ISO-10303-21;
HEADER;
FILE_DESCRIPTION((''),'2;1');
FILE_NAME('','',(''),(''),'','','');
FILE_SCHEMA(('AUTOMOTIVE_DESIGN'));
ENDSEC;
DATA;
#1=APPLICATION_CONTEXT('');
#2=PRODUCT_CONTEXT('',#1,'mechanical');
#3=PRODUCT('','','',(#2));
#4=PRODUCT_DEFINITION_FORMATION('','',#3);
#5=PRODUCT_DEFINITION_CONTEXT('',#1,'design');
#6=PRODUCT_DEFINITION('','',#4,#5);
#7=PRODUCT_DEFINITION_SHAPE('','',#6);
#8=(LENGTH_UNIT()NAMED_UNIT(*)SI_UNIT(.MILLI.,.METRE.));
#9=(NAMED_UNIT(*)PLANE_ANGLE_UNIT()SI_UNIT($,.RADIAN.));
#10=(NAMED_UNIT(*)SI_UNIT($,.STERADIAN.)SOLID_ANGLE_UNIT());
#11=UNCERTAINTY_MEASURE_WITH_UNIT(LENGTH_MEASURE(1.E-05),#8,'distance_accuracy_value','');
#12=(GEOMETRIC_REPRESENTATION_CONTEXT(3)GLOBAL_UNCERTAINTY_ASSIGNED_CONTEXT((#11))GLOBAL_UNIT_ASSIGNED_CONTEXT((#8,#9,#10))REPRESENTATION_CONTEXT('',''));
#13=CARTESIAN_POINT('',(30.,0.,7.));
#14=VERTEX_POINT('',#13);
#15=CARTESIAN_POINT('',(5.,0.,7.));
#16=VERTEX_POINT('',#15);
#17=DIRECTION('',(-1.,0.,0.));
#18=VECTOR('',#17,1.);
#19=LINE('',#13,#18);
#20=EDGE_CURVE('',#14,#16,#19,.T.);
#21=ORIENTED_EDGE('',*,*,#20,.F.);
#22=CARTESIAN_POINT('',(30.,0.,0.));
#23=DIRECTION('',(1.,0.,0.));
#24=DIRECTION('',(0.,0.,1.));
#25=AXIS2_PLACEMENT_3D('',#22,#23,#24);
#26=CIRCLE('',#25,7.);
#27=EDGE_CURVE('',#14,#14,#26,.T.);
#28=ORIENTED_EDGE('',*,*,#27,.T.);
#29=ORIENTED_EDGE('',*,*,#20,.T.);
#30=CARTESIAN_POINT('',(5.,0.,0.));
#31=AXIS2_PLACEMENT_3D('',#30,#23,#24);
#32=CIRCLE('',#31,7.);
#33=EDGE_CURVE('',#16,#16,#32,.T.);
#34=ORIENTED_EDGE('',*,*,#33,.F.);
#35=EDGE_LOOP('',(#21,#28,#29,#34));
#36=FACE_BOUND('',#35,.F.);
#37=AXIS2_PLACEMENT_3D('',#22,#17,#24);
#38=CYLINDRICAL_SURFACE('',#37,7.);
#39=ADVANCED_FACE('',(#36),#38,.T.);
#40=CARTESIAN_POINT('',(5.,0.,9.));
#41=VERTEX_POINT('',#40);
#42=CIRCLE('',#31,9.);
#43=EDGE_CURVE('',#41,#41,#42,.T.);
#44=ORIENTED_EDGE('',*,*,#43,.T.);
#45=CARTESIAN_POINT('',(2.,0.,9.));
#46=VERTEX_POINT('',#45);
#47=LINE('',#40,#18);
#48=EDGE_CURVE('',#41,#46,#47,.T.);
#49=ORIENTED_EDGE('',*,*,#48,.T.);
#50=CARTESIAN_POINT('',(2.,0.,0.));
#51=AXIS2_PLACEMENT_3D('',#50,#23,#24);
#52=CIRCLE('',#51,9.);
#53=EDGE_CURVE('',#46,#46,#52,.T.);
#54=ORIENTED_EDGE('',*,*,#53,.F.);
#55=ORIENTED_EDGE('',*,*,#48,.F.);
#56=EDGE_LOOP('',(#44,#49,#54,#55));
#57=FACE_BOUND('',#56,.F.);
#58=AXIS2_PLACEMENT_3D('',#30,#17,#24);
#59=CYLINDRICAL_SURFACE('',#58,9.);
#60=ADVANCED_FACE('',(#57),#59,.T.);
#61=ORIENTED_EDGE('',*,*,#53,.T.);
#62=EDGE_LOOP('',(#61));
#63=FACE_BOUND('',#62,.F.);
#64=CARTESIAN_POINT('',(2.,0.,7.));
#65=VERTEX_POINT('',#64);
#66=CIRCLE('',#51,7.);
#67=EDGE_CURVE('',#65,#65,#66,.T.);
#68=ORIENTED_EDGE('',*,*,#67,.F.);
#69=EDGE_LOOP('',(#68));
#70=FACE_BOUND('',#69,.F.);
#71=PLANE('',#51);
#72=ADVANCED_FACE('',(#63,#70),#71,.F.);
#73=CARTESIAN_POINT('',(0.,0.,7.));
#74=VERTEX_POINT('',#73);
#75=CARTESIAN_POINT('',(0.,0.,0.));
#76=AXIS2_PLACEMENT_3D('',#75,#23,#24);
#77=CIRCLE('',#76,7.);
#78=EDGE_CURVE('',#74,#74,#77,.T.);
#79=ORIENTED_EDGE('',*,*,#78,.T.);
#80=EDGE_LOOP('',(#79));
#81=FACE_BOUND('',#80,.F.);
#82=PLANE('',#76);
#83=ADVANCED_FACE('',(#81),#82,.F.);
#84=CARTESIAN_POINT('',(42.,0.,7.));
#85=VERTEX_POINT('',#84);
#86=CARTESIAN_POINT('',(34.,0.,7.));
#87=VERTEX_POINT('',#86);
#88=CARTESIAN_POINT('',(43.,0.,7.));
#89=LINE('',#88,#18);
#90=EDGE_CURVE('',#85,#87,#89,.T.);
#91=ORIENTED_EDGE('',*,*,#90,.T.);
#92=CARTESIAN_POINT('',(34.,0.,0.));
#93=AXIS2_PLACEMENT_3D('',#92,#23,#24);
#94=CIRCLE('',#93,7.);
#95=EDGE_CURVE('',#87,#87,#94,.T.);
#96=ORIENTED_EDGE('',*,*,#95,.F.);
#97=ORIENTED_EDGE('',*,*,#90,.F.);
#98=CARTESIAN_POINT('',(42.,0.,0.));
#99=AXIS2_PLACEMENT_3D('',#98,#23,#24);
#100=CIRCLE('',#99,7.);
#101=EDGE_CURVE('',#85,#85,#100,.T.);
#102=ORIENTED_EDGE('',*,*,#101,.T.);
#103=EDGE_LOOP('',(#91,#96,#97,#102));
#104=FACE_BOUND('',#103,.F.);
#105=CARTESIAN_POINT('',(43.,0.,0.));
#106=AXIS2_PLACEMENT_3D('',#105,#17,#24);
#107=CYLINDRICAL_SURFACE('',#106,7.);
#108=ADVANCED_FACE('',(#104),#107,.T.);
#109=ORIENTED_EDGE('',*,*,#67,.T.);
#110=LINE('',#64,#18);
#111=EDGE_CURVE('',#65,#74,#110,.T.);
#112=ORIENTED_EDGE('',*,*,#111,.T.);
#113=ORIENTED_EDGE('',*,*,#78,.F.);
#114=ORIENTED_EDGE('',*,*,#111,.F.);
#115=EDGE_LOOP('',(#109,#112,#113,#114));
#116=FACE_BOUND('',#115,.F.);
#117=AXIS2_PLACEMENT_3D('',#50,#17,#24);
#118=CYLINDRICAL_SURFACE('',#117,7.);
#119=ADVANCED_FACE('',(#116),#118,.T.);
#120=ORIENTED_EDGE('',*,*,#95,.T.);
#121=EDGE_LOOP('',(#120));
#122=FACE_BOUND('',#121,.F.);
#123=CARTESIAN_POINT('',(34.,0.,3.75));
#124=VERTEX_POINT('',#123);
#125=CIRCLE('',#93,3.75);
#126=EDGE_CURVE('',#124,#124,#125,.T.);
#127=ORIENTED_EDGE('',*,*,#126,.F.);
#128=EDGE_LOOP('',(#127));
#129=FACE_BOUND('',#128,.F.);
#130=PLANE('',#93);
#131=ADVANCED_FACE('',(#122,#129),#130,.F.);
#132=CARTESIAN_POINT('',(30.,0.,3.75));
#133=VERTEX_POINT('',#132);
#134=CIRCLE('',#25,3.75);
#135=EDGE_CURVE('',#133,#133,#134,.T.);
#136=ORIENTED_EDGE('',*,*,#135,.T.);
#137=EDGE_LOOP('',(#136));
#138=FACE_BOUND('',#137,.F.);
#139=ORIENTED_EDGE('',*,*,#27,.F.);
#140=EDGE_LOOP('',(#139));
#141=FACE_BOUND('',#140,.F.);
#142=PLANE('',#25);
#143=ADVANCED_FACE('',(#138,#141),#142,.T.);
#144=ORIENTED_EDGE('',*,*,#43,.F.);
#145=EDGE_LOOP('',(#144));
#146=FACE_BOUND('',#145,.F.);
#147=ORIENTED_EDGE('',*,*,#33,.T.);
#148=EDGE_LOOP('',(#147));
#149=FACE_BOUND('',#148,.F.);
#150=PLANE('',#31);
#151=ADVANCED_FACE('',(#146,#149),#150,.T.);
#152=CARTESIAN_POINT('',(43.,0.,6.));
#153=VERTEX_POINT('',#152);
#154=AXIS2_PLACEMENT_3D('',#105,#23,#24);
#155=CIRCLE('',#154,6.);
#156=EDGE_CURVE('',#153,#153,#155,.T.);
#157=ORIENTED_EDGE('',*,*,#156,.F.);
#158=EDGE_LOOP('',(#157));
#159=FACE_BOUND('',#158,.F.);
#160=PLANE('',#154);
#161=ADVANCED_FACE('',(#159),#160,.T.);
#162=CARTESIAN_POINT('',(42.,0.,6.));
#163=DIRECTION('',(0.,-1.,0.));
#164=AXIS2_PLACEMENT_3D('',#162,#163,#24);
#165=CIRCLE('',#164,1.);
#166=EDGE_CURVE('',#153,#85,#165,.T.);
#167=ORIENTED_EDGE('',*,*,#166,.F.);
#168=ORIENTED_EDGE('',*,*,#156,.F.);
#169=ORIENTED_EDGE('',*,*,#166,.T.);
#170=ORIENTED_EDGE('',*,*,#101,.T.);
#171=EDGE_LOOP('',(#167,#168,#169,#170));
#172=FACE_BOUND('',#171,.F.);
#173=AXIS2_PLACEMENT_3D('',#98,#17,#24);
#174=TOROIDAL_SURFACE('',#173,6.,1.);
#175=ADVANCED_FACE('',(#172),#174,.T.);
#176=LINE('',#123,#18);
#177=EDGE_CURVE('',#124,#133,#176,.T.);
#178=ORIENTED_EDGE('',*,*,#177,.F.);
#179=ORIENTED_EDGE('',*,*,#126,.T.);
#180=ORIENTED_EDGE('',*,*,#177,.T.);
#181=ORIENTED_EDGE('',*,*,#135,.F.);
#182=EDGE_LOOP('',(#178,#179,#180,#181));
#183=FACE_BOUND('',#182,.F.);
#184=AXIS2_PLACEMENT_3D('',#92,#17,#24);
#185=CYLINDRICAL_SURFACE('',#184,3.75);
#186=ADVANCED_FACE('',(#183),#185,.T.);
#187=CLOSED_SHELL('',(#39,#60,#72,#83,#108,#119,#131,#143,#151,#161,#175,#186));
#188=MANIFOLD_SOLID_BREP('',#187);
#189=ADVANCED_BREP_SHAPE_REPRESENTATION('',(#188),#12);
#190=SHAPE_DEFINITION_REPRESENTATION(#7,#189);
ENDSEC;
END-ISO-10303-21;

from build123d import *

# Parameters (mm, degrees)
F2_R = 1


with BuildPart() as f1:
    # F0 (on Front) → F1 (revolve)
    with BuildSketch(Plane.XZ):
        Polygon((0, 7), (0, 0), (43, 0), (43, 7), (34, 7), (34, 3.75), (30, 3.75), (30, 7), (5, 7), (5, 9), (2, 9), (2, 7), align=None)
    revolve(axis=Axis((21.5, 0, 0), (1, 0, 0)))

    # F2
    f2_edges = [f1.edges().sort_by_distance(p)[0] for p in [
        (43, 0, -7),
    ]]
    fillet(f2_edges, radius=F2_R)


solid = f1.part
